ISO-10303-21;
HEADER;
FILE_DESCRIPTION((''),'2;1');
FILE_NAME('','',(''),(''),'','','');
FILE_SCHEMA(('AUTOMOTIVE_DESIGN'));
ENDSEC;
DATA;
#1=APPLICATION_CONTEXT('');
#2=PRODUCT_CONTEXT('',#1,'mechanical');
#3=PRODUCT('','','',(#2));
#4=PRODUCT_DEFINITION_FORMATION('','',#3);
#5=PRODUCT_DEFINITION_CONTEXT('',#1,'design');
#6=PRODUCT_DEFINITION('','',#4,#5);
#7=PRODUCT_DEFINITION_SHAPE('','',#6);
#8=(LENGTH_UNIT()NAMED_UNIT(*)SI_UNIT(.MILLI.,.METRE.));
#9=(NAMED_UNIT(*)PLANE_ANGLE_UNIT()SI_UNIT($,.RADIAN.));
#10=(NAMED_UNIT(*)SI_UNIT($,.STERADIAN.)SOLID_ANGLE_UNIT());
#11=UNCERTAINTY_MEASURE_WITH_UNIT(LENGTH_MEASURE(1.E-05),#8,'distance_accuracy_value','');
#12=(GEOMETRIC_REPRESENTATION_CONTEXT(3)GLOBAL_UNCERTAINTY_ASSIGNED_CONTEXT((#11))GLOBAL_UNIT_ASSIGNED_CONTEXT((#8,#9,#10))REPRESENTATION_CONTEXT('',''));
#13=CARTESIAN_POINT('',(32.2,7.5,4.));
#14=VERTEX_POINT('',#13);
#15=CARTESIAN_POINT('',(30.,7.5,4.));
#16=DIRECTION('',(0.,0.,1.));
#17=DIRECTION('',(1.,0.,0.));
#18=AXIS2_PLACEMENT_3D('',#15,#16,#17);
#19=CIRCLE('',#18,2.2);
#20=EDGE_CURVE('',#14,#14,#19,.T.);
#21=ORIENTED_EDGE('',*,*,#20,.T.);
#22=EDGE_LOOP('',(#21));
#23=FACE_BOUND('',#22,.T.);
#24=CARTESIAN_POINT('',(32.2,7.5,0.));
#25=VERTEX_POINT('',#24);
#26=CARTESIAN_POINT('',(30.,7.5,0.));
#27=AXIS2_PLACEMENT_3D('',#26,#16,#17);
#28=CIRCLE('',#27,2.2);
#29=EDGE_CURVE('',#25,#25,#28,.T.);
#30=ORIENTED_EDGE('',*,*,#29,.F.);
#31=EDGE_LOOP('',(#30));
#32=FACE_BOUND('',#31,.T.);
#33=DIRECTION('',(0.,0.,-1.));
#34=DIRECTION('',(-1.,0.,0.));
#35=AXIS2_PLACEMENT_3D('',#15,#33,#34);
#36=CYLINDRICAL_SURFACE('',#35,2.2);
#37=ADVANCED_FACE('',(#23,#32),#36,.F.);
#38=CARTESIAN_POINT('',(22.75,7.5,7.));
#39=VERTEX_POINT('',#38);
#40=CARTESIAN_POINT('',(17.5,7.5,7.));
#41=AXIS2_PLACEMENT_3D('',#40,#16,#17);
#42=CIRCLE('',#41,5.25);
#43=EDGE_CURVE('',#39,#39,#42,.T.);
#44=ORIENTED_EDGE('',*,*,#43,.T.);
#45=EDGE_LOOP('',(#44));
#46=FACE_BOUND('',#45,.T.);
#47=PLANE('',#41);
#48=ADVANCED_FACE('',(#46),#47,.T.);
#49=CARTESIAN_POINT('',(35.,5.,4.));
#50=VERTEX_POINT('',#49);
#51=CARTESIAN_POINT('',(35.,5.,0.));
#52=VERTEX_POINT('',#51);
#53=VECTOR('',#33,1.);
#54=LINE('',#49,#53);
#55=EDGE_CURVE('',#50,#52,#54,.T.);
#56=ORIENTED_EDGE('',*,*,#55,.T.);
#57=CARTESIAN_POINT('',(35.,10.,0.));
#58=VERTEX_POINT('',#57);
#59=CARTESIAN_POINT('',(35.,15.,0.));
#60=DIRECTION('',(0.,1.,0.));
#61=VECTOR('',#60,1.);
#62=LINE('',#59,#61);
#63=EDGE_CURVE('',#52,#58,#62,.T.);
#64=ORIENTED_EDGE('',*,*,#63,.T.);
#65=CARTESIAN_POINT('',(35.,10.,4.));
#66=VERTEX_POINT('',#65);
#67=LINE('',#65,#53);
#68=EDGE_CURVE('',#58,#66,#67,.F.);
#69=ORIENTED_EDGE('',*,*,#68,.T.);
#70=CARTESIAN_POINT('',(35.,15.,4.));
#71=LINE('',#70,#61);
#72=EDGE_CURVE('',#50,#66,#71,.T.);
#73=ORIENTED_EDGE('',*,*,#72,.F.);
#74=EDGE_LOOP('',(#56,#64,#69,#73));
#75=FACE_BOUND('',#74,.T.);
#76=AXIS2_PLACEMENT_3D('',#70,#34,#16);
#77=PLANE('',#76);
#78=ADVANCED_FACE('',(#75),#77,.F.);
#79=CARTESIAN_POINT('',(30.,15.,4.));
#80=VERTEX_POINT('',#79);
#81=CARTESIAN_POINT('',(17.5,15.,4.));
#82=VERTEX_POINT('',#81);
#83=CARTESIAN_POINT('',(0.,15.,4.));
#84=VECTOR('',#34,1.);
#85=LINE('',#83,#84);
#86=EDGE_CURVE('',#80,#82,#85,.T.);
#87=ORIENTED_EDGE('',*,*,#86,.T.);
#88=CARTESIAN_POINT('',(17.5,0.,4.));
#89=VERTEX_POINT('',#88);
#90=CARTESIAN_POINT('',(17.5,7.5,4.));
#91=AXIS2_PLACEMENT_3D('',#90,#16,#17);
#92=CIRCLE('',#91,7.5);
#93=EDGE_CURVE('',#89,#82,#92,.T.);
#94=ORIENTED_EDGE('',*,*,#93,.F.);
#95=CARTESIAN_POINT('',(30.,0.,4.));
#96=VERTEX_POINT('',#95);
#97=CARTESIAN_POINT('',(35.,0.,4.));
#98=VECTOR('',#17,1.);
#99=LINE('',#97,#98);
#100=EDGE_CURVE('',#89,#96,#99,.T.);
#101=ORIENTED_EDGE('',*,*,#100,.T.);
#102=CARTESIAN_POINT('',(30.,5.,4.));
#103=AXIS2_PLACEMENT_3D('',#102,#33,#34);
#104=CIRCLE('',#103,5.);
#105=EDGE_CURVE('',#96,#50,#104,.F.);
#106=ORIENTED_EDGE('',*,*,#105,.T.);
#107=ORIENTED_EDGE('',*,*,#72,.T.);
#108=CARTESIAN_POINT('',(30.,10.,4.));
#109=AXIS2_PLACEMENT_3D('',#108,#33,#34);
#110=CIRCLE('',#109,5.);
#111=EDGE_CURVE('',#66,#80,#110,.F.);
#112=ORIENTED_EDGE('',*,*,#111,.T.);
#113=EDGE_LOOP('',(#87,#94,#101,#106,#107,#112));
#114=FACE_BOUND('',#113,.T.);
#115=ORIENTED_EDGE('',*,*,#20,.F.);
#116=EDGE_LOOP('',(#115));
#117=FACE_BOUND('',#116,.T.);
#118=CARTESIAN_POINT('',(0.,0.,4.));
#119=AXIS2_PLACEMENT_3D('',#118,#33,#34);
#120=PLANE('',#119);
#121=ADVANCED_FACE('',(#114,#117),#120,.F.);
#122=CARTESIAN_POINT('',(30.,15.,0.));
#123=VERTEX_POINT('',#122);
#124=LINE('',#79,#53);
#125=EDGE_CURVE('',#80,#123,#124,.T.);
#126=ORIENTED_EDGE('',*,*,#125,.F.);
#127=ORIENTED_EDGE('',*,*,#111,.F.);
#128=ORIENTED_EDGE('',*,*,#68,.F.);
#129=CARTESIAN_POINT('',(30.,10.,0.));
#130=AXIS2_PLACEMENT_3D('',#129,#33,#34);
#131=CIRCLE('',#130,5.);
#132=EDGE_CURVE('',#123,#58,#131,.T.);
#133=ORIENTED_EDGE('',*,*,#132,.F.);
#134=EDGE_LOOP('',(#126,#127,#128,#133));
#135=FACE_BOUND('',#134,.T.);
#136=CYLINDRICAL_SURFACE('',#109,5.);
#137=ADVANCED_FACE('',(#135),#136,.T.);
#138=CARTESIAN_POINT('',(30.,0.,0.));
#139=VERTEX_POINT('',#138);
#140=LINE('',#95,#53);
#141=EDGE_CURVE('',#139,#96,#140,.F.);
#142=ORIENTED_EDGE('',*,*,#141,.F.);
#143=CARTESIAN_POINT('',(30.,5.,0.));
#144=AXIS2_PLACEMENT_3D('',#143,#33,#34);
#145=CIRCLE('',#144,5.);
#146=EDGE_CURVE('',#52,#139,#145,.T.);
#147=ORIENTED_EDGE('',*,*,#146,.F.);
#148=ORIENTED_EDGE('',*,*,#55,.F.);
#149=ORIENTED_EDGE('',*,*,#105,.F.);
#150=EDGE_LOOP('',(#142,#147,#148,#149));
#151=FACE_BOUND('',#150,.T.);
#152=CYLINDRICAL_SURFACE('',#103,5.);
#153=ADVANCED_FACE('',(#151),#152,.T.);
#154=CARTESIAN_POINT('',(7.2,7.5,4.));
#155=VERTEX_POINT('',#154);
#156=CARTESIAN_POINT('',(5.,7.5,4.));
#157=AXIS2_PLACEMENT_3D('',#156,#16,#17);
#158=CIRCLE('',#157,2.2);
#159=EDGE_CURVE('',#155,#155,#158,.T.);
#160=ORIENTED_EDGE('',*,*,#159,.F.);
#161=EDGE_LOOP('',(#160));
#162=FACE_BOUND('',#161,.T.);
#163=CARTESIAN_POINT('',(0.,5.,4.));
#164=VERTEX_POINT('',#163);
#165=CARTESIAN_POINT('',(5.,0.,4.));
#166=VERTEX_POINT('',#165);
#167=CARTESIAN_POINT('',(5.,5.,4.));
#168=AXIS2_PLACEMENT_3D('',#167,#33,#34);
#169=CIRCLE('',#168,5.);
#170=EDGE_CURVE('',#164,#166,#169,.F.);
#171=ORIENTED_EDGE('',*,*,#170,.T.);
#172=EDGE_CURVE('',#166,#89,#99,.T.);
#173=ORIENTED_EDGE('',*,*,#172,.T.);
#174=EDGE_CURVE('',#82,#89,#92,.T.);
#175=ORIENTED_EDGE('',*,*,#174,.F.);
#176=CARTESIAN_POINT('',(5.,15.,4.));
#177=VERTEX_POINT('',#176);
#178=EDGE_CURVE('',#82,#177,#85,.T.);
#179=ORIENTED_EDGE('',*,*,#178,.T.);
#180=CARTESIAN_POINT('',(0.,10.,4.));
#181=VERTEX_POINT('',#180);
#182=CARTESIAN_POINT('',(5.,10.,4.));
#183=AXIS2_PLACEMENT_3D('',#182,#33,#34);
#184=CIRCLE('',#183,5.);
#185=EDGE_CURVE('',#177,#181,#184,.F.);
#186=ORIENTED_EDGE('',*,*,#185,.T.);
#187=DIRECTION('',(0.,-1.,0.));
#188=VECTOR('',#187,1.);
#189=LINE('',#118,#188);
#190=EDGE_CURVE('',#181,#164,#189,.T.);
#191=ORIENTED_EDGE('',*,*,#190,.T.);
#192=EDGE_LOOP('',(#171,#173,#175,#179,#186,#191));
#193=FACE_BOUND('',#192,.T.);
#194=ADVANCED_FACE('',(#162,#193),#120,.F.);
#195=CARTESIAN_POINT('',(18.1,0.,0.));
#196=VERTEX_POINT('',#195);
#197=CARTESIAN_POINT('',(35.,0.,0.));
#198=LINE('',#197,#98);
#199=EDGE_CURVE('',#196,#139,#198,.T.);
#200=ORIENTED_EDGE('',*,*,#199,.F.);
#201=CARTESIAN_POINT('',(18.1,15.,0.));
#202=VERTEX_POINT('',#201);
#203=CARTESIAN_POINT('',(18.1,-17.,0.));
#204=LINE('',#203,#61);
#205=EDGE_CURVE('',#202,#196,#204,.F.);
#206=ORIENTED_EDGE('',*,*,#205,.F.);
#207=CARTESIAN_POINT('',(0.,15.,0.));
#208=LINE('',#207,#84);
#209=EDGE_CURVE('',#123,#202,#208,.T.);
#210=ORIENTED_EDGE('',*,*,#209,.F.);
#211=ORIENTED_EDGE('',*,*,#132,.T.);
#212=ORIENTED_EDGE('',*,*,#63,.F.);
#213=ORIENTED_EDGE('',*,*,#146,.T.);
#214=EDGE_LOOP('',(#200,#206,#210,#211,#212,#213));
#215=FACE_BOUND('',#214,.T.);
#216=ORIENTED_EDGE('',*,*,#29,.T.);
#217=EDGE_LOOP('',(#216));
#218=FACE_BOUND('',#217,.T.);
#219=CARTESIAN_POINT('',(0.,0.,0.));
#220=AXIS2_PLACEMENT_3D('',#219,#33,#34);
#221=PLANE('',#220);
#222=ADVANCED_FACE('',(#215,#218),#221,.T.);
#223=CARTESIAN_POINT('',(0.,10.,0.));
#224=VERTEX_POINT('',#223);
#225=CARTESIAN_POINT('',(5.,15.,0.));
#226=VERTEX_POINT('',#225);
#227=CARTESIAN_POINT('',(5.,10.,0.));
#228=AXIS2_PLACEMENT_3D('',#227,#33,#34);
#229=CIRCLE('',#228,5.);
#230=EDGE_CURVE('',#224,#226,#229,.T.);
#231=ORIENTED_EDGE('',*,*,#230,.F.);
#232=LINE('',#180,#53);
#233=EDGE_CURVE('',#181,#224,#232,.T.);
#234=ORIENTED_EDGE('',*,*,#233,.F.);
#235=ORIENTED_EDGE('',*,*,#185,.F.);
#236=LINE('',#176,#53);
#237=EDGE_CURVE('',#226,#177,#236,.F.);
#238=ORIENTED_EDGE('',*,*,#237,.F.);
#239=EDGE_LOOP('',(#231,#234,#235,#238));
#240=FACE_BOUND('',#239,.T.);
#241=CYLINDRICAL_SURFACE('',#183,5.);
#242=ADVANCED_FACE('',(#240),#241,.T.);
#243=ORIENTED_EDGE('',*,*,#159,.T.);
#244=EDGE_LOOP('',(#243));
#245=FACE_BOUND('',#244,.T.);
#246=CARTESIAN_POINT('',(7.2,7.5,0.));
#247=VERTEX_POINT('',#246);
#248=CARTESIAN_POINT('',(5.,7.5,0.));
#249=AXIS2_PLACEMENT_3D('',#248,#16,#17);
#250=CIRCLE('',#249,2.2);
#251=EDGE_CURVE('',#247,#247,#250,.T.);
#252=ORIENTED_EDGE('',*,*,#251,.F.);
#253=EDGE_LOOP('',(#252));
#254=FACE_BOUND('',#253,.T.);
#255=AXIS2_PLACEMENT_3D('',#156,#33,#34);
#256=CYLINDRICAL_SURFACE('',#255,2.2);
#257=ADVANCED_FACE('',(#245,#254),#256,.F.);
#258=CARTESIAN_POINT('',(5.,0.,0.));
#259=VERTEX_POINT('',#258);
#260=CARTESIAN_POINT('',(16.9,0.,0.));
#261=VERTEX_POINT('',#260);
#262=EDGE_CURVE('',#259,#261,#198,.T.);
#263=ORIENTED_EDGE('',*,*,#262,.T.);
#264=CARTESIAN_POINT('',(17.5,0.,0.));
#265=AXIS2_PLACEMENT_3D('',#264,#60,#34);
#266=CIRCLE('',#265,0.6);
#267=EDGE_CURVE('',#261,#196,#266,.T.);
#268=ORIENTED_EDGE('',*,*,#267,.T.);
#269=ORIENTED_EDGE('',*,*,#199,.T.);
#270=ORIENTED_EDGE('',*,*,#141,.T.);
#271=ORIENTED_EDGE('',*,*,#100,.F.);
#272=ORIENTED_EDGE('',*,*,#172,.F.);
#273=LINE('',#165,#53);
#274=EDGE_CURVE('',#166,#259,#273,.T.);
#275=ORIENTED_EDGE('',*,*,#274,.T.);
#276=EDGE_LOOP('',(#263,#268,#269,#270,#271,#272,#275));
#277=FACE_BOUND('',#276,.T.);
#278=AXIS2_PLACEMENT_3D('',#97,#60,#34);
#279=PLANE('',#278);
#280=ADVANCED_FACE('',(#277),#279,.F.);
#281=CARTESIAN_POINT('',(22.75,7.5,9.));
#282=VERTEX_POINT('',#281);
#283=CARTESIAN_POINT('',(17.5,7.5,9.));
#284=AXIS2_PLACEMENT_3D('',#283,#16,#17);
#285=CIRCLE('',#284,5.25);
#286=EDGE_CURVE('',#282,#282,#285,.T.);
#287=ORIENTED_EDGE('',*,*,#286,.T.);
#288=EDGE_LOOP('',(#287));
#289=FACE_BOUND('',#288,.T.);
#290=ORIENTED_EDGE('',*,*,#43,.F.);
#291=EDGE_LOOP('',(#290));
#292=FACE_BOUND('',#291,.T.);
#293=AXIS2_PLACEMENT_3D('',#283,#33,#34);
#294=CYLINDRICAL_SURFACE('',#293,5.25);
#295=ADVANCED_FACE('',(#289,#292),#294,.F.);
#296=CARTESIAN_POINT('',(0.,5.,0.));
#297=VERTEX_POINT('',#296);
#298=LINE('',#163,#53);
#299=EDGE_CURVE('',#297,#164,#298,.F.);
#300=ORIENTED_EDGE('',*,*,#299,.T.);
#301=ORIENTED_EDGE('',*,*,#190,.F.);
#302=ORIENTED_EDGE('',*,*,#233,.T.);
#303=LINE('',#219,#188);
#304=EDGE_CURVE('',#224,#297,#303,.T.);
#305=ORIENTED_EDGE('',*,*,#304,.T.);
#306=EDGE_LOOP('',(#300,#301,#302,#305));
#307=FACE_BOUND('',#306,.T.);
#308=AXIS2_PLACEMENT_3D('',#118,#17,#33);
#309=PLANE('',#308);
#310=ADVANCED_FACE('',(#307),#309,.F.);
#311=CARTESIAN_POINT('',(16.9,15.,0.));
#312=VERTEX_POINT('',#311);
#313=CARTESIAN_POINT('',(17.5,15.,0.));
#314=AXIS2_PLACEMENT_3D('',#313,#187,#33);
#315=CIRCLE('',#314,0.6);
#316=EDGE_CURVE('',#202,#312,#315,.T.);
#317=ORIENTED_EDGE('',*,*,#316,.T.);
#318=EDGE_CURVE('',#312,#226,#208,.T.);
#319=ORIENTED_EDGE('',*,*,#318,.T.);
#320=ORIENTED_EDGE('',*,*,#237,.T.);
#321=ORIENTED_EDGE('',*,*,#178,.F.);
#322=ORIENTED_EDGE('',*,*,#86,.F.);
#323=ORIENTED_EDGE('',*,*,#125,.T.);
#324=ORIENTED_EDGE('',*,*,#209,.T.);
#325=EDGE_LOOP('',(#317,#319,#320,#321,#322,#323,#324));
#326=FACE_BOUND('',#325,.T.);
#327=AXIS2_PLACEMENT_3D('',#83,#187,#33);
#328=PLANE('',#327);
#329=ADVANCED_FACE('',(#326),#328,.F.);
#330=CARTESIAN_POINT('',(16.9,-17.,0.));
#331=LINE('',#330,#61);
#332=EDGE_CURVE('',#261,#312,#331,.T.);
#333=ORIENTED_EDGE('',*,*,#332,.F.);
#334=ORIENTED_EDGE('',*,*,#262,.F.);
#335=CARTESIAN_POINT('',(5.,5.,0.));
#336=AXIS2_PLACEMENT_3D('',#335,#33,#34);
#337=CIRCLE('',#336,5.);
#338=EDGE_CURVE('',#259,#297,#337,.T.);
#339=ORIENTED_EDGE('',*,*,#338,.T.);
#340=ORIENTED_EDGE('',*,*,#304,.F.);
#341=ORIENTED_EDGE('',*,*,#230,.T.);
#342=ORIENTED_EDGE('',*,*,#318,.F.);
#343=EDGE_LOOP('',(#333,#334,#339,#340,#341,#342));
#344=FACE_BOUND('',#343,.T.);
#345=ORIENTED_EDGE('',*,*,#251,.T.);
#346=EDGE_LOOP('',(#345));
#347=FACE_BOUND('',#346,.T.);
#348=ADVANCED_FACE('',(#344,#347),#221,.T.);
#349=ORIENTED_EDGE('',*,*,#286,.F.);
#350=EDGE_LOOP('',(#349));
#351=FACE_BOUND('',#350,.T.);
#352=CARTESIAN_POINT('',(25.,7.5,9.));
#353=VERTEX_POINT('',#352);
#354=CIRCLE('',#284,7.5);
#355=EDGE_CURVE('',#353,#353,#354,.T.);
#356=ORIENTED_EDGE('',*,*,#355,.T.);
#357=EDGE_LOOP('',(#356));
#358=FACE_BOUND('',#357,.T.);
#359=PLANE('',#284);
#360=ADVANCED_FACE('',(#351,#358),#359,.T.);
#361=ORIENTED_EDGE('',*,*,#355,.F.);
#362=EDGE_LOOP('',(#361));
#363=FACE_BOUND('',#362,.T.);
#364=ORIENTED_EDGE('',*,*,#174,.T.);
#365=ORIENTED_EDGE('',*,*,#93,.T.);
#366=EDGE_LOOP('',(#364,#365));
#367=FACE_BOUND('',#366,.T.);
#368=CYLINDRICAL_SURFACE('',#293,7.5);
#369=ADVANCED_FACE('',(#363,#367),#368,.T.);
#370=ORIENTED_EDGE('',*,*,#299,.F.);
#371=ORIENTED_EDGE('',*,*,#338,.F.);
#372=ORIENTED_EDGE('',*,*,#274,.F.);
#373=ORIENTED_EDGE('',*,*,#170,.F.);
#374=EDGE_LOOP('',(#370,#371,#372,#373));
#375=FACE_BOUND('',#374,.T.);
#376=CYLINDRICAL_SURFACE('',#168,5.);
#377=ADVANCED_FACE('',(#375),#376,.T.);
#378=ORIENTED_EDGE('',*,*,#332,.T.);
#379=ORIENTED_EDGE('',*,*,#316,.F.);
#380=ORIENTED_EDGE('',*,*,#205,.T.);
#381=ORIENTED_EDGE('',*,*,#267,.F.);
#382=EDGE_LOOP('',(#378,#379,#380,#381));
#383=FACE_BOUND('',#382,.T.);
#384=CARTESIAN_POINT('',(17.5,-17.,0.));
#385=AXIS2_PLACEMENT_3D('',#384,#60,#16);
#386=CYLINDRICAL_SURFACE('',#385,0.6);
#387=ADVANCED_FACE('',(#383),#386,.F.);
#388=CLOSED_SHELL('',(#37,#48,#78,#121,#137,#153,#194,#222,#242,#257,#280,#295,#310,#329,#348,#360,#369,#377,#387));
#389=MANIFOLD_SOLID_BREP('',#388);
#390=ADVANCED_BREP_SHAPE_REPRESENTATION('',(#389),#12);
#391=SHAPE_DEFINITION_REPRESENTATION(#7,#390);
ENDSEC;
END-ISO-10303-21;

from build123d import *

# Parameters (mm, degrees)
CROQUIS1_W              = 35
CROQUIS1_H              = 15
CROQUIS1_R              = 2.2
SALIENTE_EXTRUIR1_DEPTH = 4
CROQUIS2_R              = 7.5
CROQUIS2_R_2            = 5.25
SALIENTE_EXTRUIR2_DEPTH = 5
REDONDEO1_R             = 5
CROQUIS3_R              = 0.6
CORTAR_EXTRUIR1_DEPTH   = 32
CROQUIS4_R              = 5.25
SALIENTE_EXTRUIR3_DEPTH = 3


with BuildPart() as part:
    # Croquis1 → Saliente-Extruir1 (new body)
    with BuildSketch(Plane.XY):
        with Locations((17.5, 7.5)):
            Rectangle(CROQUIS1_W, CROQUIS1_H)
        with Locations((5, 7.5)):
            Circle(CROQUIS1_R, mode=Mode.SUBTRACT)
        with Locations((30, 7.5)):
            Circle(CROQUIS1_R, mode=Mode.SUBTRACT)
    extrude(amount=SALIENTE_EXTRUIR1_DEPTH)

    # Croquis2 → Saliente-Extruir2 (add)
    with BuildSketch(Plane.XY.offset(4)):
        with Locations(Location((17.5, 7.5, 0), (0, 0, 270))):
            Circle(CROQUIS2_R)
        with Locations((17.5, 7.5)):
            Circle(CROQUIS2_R_2, mode=Mode.SUBTRACT)
    extrude(amount=SALIENTE_EXTRUIR2_DEPTH)

    # Redondeo1
    redondeo1_edges = [part.edges().sort_by_distance(p)[0] for p in [
        (0, 0, 2),
        (0, 15, 2),
        (35, 15, 2),
        (35, 0, 2),
    ]]
    fillet(redondeo1_edges, radius=REDONDEO1_R)

    # Croquis3 → Cortar-Extruir1 (cut)
    with BuildSketch(Plane(origin=(0, 15, 0), x_dir=(1, 0, 0), z_dir=(0, 1, 0))):
        with Locations((17.5, 0)):
            Circle(CROQUIS3_R)
    extrude(amount=-CORTAR_EXTRUIR1_DEPTH, mode=Mode.SUBTRACT)

    # Croquis4 → Saliente-Extruir3 (add)
    with BuildSketch(Plane.XY.offset(4)):
        with Locations((17.5, 7.5)):
            Circle(CROQUIS4_R)
    extrude(amount=SALIENTE_EXTRUIR3_DEPTH)


solid = part.part
